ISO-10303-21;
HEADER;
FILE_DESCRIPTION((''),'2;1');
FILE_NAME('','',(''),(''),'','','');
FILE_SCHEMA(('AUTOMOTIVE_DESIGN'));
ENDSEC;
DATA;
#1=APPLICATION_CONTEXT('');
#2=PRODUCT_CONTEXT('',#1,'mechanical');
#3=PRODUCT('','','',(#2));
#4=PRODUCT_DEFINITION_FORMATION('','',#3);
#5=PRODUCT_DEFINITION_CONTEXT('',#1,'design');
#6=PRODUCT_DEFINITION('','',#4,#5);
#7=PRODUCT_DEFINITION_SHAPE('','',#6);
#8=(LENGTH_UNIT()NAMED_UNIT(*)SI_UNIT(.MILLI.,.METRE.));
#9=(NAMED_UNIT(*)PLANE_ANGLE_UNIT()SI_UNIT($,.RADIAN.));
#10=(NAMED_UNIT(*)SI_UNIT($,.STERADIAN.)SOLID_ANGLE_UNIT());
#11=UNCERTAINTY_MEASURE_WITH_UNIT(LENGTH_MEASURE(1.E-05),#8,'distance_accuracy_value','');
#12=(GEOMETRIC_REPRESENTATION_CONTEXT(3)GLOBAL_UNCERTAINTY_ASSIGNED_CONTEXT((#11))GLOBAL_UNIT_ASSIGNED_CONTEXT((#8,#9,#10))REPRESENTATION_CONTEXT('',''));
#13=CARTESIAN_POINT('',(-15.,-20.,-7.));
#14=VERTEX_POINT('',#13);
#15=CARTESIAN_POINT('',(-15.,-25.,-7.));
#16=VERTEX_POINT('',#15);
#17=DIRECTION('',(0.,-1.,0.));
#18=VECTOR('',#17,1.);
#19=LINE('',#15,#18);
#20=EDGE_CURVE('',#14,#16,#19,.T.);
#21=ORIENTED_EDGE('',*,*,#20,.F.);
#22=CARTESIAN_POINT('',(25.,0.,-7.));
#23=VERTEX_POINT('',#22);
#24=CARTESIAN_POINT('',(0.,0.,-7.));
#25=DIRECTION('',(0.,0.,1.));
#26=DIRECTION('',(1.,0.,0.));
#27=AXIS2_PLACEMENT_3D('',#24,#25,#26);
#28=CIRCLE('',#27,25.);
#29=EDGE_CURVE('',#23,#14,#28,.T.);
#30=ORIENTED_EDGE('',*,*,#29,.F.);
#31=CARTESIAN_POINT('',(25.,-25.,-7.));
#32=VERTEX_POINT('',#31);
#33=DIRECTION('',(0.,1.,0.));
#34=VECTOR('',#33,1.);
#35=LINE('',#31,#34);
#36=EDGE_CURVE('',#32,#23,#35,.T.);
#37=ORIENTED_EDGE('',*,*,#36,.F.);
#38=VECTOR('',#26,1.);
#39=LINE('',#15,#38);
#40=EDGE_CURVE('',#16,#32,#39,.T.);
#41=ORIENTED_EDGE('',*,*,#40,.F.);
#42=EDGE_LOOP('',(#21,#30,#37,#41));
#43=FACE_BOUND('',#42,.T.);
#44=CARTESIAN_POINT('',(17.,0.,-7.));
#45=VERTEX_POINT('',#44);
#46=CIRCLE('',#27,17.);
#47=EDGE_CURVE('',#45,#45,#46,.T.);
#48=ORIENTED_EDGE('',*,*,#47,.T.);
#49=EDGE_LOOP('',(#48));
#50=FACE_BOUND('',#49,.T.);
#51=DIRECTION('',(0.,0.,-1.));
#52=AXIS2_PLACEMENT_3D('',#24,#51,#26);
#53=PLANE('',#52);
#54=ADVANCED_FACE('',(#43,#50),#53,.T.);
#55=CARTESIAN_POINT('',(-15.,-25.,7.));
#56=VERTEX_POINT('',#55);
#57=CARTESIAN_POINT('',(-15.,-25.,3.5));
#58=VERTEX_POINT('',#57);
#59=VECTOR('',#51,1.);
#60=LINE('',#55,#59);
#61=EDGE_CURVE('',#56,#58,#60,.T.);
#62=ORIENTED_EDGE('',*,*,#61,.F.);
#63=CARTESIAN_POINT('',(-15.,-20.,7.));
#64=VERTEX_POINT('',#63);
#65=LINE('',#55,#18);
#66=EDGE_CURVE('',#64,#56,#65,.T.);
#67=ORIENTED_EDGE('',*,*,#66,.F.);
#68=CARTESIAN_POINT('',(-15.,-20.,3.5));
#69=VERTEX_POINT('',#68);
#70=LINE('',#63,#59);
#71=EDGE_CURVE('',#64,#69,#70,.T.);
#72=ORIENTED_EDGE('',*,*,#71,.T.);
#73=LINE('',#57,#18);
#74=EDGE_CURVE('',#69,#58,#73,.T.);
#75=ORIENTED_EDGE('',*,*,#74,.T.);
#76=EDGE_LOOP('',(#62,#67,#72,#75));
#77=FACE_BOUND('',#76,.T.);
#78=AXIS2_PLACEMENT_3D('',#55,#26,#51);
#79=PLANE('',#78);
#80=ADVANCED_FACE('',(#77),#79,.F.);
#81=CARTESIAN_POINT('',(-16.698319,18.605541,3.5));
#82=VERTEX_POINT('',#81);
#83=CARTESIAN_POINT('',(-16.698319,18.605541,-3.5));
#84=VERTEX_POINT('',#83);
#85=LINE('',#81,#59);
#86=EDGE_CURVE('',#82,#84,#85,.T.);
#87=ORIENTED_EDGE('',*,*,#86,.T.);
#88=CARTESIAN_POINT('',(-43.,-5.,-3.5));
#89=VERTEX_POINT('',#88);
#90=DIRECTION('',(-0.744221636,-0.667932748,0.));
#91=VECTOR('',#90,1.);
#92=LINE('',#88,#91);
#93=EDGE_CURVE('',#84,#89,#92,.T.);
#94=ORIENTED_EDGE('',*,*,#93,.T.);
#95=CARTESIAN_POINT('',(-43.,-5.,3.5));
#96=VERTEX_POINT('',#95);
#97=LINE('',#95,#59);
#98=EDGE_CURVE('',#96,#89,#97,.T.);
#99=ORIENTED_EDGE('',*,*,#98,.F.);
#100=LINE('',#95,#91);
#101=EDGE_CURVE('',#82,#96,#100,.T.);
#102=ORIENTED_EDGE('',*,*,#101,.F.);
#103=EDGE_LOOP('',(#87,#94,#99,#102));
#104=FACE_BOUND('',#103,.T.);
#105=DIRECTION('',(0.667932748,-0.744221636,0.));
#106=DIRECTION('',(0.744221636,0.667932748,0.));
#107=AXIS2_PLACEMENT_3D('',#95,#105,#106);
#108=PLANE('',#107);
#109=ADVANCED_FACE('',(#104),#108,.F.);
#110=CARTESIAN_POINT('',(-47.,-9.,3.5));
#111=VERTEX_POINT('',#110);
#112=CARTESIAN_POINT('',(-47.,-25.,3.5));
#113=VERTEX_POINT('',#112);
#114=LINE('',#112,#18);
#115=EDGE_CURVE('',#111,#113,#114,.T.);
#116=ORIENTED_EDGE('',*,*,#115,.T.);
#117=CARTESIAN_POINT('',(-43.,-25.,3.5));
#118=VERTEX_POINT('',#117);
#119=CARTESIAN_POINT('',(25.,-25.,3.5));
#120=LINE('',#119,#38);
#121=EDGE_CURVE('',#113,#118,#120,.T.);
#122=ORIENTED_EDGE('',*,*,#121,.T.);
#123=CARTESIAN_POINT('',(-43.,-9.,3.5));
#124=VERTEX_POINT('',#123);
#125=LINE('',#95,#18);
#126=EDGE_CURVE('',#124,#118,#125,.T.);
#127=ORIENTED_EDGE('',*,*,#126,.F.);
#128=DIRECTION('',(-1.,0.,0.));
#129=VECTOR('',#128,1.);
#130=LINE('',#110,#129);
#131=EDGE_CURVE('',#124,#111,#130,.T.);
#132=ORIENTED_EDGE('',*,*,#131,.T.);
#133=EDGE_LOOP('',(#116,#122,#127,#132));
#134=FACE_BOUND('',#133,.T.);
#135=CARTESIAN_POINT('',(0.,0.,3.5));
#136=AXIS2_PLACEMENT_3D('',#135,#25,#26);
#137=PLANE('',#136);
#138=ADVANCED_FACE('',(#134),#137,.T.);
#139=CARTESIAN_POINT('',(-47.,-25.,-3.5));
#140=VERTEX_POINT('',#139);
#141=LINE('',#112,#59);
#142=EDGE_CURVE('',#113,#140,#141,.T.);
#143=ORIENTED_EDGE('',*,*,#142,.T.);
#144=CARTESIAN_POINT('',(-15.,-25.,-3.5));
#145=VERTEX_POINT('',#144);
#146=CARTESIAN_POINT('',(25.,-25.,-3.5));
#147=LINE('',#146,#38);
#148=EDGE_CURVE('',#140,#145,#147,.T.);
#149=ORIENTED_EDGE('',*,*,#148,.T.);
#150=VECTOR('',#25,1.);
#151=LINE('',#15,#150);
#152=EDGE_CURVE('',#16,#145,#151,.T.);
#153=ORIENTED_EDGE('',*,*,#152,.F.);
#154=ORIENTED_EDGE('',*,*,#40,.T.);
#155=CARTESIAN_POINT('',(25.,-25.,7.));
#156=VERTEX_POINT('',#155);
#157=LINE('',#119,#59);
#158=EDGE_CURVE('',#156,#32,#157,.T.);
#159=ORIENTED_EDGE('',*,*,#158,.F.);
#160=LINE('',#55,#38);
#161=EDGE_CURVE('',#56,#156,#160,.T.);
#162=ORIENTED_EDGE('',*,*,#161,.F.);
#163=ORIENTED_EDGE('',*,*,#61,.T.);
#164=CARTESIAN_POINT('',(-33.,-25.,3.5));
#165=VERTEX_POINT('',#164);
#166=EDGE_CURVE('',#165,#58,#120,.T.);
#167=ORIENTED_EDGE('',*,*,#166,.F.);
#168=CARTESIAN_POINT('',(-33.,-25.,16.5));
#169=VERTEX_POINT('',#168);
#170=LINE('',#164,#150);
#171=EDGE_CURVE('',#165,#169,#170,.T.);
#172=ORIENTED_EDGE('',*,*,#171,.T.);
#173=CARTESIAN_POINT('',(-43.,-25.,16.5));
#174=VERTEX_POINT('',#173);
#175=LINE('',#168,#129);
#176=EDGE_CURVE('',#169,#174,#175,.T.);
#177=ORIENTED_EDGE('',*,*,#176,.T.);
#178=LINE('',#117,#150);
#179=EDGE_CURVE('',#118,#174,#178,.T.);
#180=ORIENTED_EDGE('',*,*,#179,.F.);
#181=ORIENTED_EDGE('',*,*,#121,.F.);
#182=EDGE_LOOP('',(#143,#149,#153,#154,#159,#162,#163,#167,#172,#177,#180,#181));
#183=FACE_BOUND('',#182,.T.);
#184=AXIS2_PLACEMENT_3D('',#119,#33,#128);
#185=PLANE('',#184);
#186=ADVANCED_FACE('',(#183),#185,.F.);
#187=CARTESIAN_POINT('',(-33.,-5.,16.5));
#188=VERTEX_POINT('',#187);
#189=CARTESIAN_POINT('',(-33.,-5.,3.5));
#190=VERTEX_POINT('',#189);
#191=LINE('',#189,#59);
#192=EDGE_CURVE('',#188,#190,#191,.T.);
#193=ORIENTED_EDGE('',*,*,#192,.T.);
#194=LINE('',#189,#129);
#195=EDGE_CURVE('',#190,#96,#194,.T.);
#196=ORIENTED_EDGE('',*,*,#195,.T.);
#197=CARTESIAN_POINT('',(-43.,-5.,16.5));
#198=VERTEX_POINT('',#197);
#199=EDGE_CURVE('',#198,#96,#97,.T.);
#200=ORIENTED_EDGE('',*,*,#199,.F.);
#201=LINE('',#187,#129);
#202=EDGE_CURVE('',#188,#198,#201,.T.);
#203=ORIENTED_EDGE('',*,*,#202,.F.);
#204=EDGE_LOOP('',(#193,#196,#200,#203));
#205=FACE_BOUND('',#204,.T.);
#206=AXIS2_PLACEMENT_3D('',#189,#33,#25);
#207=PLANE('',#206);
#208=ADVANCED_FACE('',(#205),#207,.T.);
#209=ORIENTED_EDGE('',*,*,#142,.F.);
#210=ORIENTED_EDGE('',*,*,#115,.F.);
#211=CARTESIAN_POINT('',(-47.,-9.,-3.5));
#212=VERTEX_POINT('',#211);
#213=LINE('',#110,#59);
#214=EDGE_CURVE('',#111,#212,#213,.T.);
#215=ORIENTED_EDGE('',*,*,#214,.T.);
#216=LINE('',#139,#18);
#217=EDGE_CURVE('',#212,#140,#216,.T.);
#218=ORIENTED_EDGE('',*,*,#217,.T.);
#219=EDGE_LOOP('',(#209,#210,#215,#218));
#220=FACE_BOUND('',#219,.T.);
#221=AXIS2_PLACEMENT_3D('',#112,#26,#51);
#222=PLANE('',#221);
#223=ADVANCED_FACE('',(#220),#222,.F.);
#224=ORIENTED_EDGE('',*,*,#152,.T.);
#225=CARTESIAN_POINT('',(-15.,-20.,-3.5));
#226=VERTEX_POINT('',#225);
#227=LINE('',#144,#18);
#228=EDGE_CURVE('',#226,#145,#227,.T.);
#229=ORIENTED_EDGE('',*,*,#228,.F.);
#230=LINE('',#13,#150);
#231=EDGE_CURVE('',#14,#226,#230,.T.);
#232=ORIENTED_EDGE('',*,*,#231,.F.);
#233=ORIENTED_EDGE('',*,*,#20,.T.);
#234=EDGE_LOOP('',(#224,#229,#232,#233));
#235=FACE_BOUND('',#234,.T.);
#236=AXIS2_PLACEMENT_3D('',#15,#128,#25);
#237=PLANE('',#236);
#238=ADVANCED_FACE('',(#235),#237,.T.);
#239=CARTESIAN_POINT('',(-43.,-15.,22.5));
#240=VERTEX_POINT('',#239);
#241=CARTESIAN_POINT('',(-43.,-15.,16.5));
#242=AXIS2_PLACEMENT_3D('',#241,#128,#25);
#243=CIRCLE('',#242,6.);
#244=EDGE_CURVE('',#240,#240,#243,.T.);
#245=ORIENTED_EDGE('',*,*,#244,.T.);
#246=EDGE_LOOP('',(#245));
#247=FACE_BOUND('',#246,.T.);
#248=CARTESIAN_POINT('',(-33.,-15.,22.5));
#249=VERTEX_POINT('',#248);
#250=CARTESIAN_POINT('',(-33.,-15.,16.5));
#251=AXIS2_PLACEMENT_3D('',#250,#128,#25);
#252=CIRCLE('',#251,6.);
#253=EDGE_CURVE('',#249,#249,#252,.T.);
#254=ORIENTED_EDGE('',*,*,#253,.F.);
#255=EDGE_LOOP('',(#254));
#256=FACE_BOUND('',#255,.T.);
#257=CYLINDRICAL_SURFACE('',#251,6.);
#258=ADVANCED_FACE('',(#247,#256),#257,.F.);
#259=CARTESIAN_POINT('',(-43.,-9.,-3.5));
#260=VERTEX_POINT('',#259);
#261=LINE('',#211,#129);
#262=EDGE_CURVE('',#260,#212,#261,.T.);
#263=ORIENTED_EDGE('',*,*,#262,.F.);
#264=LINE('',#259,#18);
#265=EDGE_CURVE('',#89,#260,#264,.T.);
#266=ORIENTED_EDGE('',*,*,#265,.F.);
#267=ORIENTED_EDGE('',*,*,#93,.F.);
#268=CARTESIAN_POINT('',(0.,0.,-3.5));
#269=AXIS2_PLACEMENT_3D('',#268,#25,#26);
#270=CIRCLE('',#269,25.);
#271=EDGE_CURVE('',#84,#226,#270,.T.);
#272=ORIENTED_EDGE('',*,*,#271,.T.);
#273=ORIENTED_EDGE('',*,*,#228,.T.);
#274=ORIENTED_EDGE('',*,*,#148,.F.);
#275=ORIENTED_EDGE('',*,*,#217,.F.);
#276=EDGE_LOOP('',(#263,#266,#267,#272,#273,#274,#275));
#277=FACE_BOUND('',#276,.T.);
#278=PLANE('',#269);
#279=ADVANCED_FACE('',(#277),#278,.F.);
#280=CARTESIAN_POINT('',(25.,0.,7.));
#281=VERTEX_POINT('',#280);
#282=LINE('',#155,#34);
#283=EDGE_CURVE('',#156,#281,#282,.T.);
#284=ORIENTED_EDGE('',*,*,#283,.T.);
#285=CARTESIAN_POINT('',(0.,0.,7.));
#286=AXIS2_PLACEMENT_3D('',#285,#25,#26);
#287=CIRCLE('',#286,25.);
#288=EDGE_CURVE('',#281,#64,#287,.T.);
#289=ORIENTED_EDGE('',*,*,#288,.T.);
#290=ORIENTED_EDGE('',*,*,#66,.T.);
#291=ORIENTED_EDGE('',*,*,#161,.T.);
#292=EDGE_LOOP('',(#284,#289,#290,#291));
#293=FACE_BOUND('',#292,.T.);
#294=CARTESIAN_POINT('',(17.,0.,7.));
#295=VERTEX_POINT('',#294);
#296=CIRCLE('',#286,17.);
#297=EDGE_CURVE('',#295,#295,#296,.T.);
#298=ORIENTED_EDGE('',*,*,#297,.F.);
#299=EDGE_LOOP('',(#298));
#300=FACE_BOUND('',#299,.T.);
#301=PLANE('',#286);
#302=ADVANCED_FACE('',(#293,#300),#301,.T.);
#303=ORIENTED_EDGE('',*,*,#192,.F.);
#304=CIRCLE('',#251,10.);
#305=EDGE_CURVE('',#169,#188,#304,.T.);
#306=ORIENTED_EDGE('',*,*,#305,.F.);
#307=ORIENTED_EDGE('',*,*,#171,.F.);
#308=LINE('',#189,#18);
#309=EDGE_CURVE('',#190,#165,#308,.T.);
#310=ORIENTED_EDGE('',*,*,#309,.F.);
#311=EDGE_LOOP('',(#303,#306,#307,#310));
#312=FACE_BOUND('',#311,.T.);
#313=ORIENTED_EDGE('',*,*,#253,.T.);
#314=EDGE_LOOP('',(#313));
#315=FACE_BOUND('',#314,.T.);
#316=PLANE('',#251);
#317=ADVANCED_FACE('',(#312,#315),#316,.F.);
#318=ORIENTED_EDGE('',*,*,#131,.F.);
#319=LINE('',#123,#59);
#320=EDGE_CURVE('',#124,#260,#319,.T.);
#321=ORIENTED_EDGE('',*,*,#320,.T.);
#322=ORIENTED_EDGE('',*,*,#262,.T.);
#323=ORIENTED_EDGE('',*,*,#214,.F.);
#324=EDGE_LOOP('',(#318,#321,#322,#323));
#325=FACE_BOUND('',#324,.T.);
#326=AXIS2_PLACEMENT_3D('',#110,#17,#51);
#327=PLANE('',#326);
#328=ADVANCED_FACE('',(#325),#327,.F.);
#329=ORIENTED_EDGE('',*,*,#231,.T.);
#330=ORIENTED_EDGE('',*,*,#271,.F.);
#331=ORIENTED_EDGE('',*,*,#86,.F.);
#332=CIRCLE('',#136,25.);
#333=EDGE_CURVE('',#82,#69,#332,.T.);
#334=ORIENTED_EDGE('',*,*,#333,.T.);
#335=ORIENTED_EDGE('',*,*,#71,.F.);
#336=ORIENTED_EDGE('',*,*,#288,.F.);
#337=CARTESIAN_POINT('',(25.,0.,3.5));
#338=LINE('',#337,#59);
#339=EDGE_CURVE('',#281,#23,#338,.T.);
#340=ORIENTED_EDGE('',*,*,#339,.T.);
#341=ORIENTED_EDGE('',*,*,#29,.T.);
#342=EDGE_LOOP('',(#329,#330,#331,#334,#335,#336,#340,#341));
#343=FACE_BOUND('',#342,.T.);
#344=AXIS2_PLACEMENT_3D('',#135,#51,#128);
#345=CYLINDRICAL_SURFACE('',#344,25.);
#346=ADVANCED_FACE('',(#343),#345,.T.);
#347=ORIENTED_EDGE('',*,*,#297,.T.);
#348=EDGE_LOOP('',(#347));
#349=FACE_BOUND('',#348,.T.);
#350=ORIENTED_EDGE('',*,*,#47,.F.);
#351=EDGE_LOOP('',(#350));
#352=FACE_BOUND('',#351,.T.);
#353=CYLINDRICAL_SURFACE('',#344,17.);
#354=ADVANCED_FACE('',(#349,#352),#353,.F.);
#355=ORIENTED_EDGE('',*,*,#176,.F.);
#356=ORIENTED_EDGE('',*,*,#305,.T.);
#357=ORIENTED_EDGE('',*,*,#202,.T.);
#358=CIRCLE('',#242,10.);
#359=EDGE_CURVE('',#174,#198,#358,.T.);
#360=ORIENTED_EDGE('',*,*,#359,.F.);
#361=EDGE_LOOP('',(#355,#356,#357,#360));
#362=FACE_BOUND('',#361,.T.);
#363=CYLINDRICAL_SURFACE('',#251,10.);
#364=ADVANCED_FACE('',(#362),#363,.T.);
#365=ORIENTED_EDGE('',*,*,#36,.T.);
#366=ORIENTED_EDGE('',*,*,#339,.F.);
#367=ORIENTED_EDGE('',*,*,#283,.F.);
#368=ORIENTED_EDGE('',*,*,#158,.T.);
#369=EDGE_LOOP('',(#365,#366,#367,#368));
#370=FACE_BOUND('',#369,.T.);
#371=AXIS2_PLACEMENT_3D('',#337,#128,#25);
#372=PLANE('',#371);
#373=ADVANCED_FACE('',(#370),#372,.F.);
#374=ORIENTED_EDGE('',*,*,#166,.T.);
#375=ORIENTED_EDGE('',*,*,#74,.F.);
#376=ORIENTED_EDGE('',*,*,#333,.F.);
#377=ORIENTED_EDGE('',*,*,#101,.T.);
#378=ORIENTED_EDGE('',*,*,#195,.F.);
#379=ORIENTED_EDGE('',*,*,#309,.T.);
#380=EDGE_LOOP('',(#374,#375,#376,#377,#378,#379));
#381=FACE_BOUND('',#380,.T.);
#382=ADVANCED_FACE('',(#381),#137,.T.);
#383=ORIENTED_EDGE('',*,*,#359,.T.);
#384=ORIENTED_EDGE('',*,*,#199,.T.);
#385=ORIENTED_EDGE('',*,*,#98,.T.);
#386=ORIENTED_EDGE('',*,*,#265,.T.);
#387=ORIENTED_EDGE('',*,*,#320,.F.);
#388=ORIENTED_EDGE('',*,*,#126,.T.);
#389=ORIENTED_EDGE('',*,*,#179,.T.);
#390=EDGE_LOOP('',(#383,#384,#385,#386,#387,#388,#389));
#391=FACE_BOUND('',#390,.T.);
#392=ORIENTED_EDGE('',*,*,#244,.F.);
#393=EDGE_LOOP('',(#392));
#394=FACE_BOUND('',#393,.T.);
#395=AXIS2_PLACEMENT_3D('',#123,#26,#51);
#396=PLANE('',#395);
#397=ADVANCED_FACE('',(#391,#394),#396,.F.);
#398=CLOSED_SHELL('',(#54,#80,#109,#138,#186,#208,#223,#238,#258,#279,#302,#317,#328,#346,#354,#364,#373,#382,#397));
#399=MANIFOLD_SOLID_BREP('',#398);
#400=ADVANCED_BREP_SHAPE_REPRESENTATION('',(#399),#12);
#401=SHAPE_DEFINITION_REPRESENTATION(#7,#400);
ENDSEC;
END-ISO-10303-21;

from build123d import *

# Parameters (mm, degrees)
SKETCH1_R           = 17
BOSS_EXTRUDE1_DEPTH = 3.5
SKETCH3_R           = 17
BOSS_EXTRUDE2_DEPTH = 3.5
SKETCH4_R           = 6
BOSS_EXTRUDE3_DEPTH = 10


with BuildPart() as part:
    # Sketch1 → Boss-Extrude1 (new, symmetric)
    with BuildSketch(Plane.XY):
        with BuildLine():
            Line((25, 0), (25, -25))
            Line((25, -25), (-47, -25))
            Line((-47, -25), (-47, -9))
            Line((-47, -9), (-43, -9))
            Line((-43, -9), (-43, -5))
            Line((-43, -5), (-16.69831871, 18.605540902))
            ThreePointArc((-16.69831871, 18.605540902), (10.186805983, 22.830439853), (25, 0))
        make_face()
        Circle(SKETCH1_R, mode=Mode.SUBTRACT)
    extrude(amount=BOSS_EXTRUDE1_DEPTH, both=True)

    # Sketch3 → Boss-Extrude2 (add)
    with BuildSketch(Plane.XY.offset(3.5)):
        with BuildLine():
            Line((25, -25), (25, 0))
            ThreePointArc((25, 0), (-11.180339887, 22.360679775), (-15, -20))
            Line((-15, -20), (-15, -25))
            Line((-15, -25), (25, -25))
        make_face()
        Circle(SKETCH3_R, mode=Mode.SUBTRACT)
    boss_extrude2 = extrude(amount=BOSS_EXTRUDE2_DEPTH)

    # Mirror1: Boss-Extrude2 across plane
    add(boss_extrude2.mirror(Plane.XY))

    # Sketch4 → Boss-Extrude3 (add)
    with BuildSketch(Plane.ZY.offset(43)):
        with BuildLine():
            Line((3.5, -5), (16.5, -5))
            ThreePointArc((16.5, -5), (26.5, -15), (16.5, -25))
            Line((16.5, -25), (3.5, -25))
            Line((3.5, -25), (3.5, -5))
        make_face()
        with Locations((16.5, -15)):
            Circle(SKETCH4_R, mode=Mode.SUBTRACT)
    extrude(amount=-BOSS_EXTRUDE3_DEPTH)


solid = part.part
